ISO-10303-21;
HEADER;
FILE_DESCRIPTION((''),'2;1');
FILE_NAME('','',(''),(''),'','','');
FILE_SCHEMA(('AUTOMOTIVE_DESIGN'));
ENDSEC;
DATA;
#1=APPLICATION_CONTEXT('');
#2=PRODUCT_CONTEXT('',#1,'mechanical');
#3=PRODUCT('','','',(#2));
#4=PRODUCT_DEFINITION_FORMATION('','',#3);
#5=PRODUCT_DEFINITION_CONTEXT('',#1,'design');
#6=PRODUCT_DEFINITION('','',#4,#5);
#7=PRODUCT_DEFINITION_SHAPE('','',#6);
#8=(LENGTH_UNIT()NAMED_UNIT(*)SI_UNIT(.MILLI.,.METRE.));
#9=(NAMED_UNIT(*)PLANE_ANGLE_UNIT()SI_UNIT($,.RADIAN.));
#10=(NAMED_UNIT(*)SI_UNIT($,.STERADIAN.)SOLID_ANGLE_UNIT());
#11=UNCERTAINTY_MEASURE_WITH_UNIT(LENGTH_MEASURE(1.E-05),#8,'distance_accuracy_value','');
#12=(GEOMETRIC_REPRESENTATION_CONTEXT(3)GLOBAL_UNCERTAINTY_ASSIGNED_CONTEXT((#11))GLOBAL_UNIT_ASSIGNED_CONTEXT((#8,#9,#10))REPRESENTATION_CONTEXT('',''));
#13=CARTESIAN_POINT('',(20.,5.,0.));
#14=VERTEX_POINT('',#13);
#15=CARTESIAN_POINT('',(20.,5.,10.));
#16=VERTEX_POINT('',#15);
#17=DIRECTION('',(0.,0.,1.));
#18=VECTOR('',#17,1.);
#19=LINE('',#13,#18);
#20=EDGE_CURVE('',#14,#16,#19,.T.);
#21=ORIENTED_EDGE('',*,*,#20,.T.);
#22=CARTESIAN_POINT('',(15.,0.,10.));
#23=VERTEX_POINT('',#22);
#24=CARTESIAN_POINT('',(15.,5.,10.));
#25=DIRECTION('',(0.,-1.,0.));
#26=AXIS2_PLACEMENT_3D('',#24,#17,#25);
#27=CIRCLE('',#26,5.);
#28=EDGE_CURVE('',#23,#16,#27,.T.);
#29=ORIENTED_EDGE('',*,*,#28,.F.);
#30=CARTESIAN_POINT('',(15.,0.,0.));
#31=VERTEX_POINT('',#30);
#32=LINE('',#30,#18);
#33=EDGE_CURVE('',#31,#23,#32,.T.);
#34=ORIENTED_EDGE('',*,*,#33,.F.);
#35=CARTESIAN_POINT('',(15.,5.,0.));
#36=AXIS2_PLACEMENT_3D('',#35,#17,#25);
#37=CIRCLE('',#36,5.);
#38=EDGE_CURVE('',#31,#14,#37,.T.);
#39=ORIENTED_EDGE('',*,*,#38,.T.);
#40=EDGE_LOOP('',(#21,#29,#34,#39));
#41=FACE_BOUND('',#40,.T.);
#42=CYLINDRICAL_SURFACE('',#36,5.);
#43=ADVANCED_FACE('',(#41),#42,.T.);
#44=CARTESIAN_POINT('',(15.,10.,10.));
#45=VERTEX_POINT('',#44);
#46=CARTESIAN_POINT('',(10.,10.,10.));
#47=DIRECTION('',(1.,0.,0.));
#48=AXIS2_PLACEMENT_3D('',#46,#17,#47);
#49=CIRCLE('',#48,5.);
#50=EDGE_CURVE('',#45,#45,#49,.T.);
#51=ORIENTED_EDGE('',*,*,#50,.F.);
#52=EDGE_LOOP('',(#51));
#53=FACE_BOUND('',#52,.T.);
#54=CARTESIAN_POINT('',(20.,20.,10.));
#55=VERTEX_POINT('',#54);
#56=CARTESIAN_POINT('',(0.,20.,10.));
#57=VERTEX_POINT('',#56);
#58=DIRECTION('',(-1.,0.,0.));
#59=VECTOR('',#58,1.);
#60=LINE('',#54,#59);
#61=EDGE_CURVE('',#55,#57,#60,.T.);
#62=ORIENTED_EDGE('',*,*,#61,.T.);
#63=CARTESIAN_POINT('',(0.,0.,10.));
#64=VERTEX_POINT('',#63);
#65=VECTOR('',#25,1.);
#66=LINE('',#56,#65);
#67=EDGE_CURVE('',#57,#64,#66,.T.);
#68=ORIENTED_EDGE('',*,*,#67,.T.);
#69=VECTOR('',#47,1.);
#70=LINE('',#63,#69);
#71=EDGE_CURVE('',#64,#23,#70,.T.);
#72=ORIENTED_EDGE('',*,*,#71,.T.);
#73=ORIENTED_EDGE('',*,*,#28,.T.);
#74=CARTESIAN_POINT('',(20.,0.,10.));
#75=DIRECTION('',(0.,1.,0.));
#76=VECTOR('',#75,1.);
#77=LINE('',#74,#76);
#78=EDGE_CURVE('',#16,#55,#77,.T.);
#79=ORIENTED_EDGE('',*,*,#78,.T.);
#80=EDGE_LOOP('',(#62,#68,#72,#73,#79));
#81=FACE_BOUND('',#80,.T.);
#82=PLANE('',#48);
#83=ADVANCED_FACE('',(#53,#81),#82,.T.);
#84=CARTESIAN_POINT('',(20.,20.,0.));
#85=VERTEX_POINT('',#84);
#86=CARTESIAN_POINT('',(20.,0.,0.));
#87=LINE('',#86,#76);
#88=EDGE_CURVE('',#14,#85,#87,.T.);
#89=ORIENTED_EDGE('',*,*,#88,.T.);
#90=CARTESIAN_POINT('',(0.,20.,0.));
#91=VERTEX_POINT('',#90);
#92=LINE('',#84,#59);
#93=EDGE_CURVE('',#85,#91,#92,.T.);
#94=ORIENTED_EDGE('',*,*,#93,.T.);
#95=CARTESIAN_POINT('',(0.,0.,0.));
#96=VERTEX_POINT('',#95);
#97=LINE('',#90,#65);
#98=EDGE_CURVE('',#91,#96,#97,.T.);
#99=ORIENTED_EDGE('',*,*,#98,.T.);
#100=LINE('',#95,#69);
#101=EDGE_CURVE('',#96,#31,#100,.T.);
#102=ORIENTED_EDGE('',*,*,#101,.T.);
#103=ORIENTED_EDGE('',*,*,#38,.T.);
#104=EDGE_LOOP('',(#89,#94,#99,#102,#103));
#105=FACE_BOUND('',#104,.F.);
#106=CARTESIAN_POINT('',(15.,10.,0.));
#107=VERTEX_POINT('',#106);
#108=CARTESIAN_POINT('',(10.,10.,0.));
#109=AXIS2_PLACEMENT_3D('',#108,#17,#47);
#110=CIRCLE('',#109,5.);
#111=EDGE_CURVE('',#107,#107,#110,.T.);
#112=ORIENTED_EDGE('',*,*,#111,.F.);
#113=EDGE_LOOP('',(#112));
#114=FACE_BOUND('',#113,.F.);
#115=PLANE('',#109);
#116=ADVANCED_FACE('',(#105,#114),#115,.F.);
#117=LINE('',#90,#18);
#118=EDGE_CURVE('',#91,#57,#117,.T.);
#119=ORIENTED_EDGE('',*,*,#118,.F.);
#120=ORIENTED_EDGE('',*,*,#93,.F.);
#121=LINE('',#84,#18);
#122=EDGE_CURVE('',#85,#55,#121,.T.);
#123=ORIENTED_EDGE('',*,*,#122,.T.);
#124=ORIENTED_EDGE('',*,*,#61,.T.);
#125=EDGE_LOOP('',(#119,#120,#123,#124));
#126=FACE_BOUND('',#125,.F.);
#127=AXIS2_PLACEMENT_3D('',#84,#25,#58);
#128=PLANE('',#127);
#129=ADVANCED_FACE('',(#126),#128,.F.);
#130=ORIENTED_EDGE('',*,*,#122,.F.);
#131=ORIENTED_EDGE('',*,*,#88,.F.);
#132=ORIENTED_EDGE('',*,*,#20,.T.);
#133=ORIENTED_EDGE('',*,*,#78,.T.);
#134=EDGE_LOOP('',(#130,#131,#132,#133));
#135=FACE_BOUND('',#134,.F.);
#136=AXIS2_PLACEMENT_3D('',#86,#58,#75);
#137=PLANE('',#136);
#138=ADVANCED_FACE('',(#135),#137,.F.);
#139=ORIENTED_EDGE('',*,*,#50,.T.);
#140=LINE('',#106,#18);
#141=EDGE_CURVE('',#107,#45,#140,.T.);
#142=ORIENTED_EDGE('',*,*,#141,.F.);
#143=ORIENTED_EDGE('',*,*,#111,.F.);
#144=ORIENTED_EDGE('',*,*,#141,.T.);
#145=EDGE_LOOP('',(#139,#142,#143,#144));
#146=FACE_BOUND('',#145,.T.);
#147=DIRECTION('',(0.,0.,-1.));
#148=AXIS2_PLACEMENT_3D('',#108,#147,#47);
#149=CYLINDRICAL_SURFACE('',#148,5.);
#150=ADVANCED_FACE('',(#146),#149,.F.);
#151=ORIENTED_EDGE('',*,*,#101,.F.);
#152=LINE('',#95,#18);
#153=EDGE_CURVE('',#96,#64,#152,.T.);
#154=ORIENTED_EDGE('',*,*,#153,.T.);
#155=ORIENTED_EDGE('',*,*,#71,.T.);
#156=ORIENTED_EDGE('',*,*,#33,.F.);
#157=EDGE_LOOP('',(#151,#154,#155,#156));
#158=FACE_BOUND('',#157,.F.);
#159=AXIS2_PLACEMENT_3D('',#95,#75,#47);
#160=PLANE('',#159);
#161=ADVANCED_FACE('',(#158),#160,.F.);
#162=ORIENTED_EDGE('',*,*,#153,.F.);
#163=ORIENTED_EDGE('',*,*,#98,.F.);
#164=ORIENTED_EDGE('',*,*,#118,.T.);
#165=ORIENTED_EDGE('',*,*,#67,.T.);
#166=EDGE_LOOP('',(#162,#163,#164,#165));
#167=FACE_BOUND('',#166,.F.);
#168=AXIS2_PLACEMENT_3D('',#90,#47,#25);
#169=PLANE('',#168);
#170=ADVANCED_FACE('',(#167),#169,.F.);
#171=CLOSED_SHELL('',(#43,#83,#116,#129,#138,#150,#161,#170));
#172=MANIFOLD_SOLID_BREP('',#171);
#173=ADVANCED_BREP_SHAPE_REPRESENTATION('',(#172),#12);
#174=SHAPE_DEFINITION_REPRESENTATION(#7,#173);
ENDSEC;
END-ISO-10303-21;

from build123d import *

# Parameters (mm, degrees)
F0_R     = 5
F1_DEPTH = 10
F2_R     = 5


with BuildPart() as f1:
    # F0 (on Top) → F1 (new body)
    with BuildSketch(Plane.XY):
        Polygon((0, 10), (0, 0), (10, 0), (20, 0), (20, 20), (0, 20), align=None)
        with Locations((10, 10)):
            Circle(F0_R, mode=Mode.SUBTRACT)
    extrude(amount=F1_DEPTH)

    # F2
    f2_edges = [f1.edges().sort_by_distance(p)[0] for p in [
        (20, 0, 5),
    ]]
    fillet(f2_edges, radius=F2_R)


solid = f1.part
